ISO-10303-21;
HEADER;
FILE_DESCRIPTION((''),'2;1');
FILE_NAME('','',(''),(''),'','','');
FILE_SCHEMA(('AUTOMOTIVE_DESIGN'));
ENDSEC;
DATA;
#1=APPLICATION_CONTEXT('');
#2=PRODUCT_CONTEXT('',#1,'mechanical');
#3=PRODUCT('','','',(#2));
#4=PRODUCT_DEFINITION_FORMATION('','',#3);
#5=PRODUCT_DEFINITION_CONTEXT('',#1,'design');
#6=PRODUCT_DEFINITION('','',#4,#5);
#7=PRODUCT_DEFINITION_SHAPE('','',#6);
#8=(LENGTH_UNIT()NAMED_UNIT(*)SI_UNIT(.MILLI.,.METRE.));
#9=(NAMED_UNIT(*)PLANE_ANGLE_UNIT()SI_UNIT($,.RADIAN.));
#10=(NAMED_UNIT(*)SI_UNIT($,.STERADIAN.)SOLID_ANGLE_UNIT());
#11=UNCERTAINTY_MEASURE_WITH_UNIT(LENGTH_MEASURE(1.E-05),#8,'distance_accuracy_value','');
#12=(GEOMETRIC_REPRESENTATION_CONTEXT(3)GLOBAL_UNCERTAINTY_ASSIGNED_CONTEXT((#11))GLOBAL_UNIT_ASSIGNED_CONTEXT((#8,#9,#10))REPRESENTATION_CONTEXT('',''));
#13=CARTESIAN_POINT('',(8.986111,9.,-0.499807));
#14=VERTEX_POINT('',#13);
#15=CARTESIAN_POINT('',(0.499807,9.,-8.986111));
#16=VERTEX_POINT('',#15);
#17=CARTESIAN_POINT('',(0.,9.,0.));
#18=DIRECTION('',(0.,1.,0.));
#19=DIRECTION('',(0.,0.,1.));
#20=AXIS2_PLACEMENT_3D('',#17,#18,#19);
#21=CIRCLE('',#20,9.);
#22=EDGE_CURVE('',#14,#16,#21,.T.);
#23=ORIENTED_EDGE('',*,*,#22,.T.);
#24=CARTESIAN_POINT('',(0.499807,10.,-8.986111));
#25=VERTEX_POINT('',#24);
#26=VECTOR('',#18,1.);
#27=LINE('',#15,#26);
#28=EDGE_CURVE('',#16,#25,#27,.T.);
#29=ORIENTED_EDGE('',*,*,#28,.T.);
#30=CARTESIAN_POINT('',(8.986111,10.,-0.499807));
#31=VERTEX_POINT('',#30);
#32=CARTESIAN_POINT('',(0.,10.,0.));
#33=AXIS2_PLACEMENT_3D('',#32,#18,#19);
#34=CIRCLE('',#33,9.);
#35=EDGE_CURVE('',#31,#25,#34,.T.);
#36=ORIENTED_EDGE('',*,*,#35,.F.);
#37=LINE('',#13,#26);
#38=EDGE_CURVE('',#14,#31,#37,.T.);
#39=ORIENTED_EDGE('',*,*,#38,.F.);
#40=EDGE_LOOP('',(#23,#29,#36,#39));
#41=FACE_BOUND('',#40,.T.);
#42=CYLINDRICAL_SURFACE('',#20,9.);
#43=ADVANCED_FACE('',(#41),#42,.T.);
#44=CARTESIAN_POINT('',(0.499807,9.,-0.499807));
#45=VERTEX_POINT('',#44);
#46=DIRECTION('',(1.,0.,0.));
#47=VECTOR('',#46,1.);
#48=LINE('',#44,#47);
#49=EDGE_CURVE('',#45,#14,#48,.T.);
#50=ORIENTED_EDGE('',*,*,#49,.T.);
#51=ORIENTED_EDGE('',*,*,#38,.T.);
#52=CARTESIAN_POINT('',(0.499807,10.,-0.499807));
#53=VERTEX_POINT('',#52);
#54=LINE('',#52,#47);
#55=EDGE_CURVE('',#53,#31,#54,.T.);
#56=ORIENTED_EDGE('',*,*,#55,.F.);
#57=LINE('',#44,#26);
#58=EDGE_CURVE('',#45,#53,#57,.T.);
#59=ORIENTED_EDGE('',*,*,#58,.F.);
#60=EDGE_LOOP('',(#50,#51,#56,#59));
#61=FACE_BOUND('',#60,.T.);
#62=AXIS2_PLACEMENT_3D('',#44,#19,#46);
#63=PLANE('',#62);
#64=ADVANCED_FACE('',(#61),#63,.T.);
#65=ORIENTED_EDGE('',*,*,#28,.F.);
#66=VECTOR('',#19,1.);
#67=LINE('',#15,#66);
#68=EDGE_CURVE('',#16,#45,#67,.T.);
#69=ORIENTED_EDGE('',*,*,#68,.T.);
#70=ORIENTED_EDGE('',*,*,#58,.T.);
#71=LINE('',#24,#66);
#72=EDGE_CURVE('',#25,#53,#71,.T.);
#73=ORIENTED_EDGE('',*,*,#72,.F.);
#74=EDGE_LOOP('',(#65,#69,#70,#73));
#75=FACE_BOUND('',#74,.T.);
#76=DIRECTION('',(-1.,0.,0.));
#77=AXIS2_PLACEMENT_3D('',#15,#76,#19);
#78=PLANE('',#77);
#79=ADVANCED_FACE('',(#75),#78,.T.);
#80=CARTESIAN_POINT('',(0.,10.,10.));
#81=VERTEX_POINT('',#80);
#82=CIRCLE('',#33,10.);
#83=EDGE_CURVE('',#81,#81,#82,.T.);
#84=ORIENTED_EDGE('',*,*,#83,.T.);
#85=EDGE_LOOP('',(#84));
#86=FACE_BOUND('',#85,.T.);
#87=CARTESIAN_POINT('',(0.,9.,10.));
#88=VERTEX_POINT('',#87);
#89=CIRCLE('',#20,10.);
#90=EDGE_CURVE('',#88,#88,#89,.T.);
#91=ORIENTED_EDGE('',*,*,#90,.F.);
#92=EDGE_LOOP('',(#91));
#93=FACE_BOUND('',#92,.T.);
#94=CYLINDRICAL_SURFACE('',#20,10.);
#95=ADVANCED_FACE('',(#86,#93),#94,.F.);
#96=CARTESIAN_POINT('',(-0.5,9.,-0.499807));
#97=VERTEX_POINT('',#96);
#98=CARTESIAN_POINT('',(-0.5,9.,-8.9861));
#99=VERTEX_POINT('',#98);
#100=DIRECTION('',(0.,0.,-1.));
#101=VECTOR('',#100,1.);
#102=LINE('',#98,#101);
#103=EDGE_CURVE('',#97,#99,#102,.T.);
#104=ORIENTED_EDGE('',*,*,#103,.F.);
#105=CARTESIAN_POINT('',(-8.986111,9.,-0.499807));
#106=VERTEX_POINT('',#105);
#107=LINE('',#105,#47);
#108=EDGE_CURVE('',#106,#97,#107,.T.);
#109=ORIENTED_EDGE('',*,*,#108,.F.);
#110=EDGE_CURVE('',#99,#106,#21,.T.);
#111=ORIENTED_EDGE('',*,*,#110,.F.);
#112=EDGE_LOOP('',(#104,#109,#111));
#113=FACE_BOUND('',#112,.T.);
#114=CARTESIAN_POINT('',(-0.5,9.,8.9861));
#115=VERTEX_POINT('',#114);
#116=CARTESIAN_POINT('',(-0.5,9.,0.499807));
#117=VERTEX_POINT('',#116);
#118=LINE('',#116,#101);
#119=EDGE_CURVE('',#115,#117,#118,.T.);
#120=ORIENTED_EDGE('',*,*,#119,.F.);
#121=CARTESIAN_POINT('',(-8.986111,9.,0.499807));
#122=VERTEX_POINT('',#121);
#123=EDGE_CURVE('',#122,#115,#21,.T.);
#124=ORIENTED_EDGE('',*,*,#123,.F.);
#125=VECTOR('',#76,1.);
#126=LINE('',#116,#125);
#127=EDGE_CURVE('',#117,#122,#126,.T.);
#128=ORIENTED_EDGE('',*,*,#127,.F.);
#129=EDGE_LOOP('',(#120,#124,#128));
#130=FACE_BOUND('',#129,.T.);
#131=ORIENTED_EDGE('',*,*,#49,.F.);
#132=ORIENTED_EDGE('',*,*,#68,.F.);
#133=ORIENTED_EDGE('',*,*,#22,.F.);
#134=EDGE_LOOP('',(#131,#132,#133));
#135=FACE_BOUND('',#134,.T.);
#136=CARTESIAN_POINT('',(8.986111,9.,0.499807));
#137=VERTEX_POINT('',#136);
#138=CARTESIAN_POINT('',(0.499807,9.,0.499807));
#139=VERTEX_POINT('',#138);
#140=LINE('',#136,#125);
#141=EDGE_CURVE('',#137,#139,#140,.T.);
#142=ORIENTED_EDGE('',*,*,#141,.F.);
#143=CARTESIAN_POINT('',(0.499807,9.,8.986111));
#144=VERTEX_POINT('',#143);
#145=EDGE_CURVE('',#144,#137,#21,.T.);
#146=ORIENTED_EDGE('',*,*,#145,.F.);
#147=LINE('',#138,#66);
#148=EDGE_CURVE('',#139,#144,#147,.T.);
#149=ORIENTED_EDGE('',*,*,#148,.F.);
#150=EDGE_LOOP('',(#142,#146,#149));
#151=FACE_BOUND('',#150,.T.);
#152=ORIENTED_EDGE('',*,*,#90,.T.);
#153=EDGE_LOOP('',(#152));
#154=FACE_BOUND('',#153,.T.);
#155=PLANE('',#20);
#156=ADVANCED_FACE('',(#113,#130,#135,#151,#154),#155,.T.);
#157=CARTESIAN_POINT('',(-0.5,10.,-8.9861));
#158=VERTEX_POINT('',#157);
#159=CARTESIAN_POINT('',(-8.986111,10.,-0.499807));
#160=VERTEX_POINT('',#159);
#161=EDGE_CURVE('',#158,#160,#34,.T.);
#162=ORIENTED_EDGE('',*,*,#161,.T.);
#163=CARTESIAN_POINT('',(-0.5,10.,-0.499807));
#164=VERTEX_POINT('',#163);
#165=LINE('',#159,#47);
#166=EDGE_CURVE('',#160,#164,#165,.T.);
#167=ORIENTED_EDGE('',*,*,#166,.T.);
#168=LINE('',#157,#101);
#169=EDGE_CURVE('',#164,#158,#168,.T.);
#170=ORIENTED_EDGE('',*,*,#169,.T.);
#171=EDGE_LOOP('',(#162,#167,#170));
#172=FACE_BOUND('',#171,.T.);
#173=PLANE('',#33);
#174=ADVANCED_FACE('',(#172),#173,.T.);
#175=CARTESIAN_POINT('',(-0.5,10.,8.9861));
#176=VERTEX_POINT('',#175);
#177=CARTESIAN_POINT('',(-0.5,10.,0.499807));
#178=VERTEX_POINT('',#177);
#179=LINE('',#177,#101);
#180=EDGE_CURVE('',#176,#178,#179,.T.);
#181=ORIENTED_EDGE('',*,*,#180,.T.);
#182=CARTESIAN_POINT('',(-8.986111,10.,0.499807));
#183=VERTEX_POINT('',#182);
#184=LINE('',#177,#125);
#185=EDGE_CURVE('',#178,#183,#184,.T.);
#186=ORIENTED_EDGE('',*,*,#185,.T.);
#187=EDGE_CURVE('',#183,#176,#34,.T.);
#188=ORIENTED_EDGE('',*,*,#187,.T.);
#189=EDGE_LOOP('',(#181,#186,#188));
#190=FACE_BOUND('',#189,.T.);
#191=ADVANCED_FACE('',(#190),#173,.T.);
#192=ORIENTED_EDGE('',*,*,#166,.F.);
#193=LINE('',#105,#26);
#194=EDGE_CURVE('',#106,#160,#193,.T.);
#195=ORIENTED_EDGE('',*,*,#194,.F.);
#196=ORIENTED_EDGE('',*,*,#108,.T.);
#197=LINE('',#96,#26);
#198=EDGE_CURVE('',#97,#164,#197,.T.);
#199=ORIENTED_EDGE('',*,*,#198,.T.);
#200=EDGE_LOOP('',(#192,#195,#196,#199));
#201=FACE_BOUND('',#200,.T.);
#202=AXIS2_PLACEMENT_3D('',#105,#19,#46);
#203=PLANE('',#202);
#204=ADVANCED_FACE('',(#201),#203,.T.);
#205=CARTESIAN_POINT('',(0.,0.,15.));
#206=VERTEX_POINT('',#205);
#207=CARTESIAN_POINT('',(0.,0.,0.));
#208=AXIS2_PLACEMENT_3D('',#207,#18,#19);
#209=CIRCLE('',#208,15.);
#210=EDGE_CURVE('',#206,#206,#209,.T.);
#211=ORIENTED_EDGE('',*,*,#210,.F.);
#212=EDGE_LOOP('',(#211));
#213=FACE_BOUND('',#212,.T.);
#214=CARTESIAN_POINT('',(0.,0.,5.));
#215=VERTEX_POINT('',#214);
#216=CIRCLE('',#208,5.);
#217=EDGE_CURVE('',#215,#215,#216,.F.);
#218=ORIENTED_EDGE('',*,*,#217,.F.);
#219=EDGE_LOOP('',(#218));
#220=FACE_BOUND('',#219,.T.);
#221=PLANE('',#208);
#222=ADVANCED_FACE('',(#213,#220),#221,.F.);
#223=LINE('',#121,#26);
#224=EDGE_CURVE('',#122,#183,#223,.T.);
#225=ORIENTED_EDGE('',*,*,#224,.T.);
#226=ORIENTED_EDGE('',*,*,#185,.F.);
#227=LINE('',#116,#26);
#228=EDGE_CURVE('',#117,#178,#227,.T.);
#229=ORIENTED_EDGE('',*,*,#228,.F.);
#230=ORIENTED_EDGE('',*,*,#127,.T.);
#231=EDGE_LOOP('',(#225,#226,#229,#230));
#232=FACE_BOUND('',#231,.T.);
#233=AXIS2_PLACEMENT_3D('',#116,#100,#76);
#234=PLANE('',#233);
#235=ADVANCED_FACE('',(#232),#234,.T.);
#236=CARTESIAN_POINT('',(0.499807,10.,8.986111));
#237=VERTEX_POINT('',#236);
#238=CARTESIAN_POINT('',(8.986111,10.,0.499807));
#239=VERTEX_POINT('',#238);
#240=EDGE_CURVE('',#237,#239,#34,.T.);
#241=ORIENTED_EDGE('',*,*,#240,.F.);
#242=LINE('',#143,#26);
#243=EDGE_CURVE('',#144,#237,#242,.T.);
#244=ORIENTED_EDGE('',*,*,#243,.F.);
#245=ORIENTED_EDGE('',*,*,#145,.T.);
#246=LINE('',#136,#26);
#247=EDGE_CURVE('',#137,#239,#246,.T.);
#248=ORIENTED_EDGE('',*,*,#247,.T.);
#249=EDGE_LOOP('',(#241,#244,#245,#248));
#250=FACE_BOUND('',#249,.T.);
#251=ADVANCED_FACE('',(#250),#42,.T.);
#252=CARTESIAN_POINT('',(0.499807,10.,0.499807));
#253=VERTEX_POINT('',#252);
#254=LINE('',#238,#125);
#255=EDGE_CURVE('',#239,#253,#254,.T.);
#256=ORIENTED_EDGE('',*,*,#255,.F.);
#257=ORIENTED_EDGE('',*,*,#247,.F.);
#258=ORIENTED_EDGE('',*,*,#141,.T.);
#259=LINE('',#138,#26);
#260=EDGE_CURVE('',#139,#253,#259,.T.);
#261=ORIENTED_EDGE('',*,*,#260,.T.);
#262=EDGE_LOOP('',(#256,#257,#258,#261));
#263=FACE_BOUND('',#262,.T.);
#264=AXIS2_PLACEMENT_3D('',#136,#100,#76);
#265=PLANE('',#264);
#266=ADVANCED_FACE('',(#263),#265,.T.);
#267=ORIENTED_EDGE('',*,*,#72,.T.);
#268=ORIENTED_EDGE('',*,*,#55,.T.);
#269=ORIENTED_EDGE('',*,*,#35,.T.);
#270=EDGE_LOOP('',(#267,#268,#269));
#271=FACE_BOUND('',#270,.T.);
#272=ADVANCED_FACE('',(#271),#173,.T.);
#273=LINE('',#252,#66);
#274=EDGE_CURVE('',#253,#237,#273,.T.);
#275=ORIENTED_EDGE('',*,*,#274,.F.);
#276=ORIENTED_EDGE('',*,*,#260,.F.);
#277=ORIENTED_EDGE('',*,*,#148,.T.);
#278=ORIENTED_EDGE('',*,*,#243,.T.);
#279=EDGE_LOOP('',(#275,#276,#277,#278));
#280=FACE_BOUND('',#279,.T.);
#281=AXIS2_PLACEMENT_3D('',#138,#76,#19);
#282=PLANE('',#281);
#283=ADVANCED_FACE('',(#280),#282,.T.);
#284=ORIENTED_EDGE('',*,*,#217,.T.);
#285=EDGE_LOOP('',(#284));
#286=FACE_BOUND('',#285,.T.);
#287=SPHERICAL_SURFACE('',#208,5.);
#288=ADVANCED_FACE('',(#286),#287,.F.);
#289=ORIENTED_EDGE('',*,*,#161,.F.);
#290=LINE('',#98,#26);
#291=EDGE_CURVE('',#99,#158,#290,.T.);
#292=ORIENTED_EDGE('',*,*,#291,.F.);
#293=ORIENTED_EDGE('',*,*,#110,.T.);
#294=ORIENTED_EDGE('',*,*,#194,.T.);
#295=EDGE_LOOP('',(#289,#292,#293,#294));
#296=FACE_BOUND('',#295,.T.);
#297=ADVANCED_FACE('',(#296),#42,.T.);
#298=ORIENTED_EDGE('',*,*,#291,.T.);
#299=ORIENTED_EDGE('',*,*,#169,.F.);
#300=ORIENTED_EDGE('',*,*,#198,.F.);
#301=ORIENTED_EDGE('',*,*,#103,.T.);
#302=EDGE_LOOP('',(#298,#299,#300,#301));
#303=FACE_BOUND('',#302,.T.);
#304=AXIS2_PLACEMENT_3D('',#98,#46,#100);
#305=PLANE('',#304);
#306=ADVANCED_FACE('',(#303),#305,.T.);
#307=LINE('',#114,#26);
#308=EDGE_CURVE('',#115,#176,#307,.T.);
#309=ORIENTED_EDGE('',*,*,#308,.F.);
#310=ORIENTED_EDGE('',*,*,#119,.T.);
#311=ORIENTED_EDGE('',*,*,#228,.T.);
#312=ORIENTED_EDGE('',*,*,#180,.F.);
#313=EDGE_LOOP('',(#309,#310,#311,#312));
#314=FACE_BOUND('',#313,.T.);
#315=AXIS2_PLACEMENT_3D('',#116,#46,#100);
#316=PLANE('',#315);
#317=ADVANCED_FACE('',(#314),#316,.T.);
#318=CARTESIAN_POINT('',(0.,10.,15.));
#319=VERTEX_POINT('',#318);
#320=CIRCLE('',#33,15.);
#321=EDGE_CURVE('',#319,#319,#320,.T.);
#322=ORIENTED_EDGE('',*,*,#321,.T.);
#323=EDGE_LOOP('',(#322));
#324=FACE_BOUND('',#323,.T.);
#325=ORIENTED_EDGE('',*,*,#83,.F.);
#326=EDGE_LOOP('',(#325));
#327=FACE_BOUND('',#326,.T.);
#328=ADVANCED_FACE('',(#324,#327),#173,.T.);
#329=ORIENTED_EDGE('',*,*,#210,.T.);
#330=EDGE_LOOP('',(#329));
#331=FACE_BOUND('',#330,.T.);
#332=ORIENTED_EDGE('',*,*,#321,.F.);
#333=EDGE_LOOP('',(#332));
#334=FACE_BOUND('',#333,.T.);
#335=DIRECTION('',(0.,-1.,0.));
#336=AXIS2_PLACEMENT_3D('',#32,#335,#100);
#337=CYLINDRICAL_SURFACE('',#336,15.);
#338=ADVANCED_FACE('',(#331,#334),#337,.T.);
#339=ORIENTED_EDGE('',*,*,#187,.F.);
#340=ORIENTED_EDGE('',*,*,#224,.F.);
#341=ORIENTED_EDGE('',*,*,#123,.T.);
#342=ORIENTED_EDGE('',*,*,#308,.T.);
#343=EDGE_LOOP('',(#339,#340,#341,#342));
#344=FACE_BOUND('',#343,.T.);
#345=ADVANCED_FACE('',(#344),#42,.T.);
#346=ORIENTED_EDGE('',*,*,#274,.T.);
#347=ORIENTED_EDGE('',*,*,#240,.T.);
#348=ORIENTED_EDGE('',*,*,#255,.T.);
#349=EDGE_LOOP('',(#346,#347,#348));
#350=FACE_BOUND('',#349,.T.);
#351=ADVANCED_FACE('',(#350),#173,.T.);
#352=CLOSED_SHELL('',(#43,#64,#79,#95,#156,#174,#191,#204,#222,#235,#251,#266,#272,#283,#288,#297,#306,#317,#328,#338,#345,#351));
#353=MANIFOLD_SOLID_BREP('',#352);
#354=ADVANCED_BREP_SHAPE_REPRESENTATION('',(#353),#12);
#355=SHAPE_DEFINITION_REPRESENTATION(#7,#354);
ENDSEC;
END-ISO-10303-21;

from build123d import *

# Parameters (mm, degrees)
SKETCH1_R           = 15
BOSS_EXTRUDE1_DEPTH = 10
SKETCH2_R           = 10
CUT_EXTRUDE1_DEPTH  = 1


with BuildPart() as part:
    # Sketch1 → Boss-Extrude1 (new body)
    with BuildSketch(Plane(origin=(0, 0, 0), x_dir=(1, 0, 0), z_dir=(0, 1, 0))):
        Circle(SKETCH1_R)
    extrude(amount=BOSS_EXTRUDE1_DEPTH)

    # Sketch3 → Cut-Revolve1 (revolve, cut)
    with BuildSketch(Plane(origin=(0, 0, 0), x_dir=(-1, 0, 0), z_dir=(0, -1, 0))):
        with BuildLine():
            Line((0, 5), (0, -5))
            ThreePointArc((0, -5), (5, 0), (0, 5))
        make_face()
    revolve(axis=Axis((0, 0, -5), (0, 0, 1)), mode=Mode.SUBTRACT)

    # Sketch2 → Cut-Extrude1 (cut)
    with BuildSketch(Plane(origin=(0, 10, 0), x_dir=(1, 0, 0), z_dir=(0, 1, 0))):
        Circle(SKETCH2_R)
        with BuildLine():
            Line((-0.5, -0.499807062), (-0.5, -8.986100378))
            ThreePointArc((-0.5, -8.986100378), (-6.36402935, -6.363892711), (-8.986111111, -0.499807062))
            Line((-8.986111111, -0.499807062), (-0.5, -0.499807062))
        make_face(mode=Mode.SUBTRACT)
        with BuildLine():
            Line((0.499807062, 8.986111111), (0.499807062, 0.499807062))
            Line((0.499807062, 0.499807062), (8.986111111, 0.499807062))
            ThreePointArc((8.986111111, 0.499807062), (6.363961031, 6.363961031), (0.499807062, 8.986111111))
        make_face(mode=Mode.SUBTRACT)
        with BuildLine():
            Line((-0.5, 8.986100378), (-0.5, 0.499807062))
            Line((-0.5, 0.499807062), (-8.986111111, 0.499807062))
            ThreePointArc((-8.986111111, 0.499807062), (-6.36402935, 6.363892711), (-0.5, 8.986100378))
        make_face(mode=Mode.SUBTRACT)
        with BuildLine():
            Line((8.986111111, -0.499807062), (0.499807062, -0.499807062))
            Line((0.499807062, -0.499807062), (0.499807062, -8.986111111))
            ThreePointArc((0.499807062, -8.986111111), (6.363961031, -6.363961031), (8.986111111, -0.499807062))
        make_face(mode=Mode.SUBTRACT)
    extrude(amount=-CUT_EXTRUDE1_DEPTH, mode=Mode.SUBTRACT)


solid = part.part
